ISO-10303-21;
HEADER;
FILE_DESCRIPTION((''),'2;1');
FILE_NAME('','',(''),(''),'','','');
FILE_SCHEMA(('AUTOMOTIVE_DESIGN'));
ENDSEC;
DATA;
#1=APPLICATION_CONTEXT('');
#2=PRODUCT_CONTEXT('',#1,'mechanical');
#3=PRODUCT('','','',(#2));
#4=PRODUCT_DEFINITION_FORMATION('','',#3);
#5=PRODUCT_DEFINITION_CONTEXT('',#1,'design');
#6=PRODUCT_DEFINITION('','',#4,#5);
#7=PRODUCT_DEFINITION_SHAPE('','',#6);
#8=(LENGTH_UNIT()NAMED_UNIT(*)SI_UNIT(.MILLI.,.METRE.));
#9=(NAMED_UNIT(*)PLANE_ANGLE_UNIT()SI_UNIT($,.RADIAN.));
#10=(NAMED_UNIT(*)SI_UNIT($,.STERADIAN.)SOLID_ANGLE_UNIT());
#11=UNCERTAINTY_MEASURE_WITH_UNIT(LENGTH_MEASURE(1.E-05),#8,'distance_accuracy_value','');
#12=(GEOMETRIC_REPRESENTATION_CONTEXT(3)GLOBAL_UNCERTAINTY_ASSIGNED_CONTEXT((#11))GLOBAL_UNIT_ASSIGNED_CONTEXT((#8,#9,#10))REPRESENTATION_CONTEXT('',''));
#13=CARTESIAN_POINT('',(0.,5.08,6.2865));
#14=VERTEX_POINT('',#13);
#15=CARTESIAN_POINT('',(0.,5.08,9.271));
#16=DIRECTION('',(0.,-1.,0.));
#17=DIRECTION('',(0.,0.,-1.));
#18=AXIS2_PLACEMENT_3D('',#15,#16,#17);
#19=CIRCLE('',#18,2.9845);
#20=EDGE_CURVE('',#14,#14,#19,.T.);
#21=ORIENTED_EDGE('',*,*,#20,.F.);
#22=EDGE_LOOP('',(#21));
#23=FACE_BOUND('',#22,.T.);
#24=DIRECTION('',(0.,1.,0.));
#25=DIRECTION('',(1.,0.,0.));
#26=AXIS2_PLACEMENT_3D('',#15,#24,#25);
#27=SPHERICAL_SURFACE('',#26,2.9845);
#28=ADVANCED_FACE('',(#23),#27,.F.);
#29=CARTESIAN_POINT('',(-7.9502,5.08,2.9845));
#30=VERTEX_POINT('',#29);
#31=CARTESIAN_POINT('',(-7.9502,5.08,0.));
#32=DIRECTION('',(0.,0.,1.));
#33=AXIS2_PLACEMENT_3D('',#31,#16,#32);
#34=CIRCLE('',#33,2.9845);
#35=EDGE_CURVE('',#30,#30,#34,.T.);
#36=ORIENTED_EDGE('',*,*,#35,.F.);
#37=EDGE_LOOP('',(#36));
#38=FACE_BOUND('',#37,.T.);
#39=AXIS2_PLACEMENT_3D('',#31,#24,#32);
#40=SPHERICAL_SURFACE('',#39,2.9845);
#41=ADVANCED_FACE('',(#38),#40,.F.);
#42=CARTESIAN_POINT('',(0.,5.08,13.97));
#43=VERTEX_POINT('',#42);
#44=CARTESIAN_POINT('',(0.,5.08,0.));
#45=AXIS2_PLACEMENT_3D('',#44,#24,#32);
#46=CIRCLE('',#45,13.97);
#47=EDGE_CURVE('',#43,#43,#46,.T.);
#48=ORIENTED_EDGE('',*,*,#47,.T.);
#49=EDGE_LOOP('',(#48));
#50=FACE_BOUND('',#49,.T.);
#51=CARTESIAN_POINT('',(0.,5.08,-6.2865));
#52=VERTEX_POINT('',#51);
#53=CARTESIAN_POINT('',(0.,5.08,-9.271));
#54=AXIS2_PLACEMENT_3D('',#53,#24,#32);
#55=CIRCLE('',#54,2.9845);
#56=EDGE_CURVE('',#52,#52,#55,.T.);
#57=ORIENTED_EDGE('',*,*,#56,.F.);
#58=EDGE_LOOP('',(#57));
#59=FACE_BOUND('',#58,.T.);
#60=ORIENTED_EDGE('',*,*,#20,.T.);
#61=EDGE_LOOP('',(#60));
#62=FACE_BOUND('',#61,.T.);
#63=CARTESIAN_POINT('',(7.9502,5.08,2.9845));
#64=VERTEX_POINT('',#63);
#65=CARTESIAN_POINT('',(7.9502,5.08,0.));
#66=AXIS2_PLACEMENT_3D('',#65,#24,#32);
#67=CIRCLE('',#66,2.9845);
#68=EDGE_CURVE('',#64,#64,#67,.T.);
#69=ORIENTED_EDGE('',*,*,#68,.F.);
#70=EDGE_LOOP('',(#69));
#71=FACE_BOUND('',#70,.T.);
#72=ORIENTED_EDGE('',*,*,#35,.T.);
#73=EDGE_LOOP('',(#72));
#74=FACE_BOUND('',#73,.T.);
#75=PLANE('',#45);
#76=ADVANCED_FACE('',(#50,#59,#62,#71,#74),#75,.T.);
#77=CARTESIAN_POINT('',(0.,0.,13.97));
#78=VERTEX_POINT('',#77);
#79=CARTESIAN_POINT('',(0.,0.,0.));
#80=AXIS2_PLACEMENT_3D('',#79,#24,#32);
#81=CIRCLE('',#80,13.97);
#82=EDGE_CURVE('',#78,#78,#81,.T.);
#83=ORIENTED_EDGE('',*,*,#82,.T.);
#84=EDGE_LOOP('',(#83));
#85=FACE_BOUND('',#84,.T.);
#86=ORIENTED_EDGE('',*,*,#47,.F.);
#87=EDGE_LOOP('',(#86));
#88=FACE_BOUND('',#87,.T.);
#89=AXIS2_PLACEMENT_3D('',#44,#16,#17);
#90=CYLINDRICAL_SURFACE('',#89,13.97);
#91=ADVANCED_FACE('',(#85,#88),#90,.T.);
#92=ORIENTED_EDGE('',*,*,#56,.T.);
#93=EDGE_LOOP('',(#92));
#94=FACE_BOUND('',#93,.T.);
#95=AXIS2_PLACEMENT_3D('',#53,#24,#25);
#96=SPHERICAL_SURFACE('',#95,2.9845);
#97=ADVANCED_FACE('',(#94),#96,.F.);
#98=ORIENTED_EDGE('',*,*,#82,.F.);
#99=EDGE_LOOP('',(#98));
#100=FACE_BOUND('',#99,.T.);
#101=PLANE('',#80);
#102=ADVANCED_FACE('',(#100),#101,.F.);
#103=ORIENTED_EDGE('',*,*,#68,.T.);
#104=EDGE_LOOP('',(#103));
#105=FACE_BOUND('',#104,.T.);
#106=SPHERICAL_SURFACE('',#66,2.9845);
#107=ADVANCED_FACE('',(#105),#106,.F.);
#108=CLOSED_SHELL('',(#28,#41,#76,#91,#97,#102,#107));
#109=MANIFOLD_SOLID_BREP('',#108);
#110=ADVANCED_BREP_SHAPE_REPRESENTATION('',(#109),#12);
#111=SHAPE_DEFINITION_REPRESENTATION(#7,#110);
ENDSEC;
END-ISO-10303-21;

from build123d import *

# Parameters (mm, degrees)
SKETCH1_R           = 13.97
BOSS_EXTRUDE1_DEPTH = 5.08


with BuildPart() as part:
    # Sketch1 → Boss-Extrude1 (new body)
    with BuildSketch(Plane(origin=(0, 0, 0), x_dir=(1, 0, 0), z_dir=(0, 1, 0))):
        with Locations(Location((0, 0, 0), (0, 0, 270))):
            Circle(SKETCH1_R)
    extrude(amount=BOSS_EXTRUDE1_DEPTH)

    # Sketch5 → Cut-Revolve3 (revolve, cut)
    with BuildSketch(Plane(origin=(7.9502, 0, 0), x_dir=(0, 0, -1), z_dir=(1, 0, 0))):
        with BuildLine():
            Line((0, 5.08), (0, 2.0955))
            ThreePointArc((0, 2.0955), (-2.110360188, 2.969639812), (-2.9845, 5.08))
            Line((-2.9845, 5.08), (0, 5.08))
        make_face()
    cut_revolve3 = revolve(axis=Axis((7.9502, 5.08, 0), (0, -1, 0)), mode=Mode.SUBTRACT)

    # Mirror3: Cut-Revolve3 across plane
    add(cut_revolve3.mirror(Plane(origin=(0, 0, 0), x_dir=(0, 0, 1), z_dir=(1, 0, 0))), mode=Mode.SUBTRACT)

    # Sketch3 → Cut-Revolve4 (revolve, cut)
    with BuildSketch(Plane.XY.offset(-9.271)):
        with BuildLine():
            Line((0, 5.08), (0, 2.0955))
            ThreePointArc((0, 2.0955), (2.110360188, 2.969639812), (2.9845, 5.08))
            Line((2.9845, 5.08), (0, 5.08))
        make_face()
    cut_revolve4 = revolve(axis=Axis((0, 5.08, -9.271), (0, -1, 0)), mode=Mode.SUBTRACT)

    # Mirror4: Cut-Revolve4 across plane
    add(cut_revolve4.mirror(Plane.XY), mode=Mode.SUBTRACT)


solid = part.part
